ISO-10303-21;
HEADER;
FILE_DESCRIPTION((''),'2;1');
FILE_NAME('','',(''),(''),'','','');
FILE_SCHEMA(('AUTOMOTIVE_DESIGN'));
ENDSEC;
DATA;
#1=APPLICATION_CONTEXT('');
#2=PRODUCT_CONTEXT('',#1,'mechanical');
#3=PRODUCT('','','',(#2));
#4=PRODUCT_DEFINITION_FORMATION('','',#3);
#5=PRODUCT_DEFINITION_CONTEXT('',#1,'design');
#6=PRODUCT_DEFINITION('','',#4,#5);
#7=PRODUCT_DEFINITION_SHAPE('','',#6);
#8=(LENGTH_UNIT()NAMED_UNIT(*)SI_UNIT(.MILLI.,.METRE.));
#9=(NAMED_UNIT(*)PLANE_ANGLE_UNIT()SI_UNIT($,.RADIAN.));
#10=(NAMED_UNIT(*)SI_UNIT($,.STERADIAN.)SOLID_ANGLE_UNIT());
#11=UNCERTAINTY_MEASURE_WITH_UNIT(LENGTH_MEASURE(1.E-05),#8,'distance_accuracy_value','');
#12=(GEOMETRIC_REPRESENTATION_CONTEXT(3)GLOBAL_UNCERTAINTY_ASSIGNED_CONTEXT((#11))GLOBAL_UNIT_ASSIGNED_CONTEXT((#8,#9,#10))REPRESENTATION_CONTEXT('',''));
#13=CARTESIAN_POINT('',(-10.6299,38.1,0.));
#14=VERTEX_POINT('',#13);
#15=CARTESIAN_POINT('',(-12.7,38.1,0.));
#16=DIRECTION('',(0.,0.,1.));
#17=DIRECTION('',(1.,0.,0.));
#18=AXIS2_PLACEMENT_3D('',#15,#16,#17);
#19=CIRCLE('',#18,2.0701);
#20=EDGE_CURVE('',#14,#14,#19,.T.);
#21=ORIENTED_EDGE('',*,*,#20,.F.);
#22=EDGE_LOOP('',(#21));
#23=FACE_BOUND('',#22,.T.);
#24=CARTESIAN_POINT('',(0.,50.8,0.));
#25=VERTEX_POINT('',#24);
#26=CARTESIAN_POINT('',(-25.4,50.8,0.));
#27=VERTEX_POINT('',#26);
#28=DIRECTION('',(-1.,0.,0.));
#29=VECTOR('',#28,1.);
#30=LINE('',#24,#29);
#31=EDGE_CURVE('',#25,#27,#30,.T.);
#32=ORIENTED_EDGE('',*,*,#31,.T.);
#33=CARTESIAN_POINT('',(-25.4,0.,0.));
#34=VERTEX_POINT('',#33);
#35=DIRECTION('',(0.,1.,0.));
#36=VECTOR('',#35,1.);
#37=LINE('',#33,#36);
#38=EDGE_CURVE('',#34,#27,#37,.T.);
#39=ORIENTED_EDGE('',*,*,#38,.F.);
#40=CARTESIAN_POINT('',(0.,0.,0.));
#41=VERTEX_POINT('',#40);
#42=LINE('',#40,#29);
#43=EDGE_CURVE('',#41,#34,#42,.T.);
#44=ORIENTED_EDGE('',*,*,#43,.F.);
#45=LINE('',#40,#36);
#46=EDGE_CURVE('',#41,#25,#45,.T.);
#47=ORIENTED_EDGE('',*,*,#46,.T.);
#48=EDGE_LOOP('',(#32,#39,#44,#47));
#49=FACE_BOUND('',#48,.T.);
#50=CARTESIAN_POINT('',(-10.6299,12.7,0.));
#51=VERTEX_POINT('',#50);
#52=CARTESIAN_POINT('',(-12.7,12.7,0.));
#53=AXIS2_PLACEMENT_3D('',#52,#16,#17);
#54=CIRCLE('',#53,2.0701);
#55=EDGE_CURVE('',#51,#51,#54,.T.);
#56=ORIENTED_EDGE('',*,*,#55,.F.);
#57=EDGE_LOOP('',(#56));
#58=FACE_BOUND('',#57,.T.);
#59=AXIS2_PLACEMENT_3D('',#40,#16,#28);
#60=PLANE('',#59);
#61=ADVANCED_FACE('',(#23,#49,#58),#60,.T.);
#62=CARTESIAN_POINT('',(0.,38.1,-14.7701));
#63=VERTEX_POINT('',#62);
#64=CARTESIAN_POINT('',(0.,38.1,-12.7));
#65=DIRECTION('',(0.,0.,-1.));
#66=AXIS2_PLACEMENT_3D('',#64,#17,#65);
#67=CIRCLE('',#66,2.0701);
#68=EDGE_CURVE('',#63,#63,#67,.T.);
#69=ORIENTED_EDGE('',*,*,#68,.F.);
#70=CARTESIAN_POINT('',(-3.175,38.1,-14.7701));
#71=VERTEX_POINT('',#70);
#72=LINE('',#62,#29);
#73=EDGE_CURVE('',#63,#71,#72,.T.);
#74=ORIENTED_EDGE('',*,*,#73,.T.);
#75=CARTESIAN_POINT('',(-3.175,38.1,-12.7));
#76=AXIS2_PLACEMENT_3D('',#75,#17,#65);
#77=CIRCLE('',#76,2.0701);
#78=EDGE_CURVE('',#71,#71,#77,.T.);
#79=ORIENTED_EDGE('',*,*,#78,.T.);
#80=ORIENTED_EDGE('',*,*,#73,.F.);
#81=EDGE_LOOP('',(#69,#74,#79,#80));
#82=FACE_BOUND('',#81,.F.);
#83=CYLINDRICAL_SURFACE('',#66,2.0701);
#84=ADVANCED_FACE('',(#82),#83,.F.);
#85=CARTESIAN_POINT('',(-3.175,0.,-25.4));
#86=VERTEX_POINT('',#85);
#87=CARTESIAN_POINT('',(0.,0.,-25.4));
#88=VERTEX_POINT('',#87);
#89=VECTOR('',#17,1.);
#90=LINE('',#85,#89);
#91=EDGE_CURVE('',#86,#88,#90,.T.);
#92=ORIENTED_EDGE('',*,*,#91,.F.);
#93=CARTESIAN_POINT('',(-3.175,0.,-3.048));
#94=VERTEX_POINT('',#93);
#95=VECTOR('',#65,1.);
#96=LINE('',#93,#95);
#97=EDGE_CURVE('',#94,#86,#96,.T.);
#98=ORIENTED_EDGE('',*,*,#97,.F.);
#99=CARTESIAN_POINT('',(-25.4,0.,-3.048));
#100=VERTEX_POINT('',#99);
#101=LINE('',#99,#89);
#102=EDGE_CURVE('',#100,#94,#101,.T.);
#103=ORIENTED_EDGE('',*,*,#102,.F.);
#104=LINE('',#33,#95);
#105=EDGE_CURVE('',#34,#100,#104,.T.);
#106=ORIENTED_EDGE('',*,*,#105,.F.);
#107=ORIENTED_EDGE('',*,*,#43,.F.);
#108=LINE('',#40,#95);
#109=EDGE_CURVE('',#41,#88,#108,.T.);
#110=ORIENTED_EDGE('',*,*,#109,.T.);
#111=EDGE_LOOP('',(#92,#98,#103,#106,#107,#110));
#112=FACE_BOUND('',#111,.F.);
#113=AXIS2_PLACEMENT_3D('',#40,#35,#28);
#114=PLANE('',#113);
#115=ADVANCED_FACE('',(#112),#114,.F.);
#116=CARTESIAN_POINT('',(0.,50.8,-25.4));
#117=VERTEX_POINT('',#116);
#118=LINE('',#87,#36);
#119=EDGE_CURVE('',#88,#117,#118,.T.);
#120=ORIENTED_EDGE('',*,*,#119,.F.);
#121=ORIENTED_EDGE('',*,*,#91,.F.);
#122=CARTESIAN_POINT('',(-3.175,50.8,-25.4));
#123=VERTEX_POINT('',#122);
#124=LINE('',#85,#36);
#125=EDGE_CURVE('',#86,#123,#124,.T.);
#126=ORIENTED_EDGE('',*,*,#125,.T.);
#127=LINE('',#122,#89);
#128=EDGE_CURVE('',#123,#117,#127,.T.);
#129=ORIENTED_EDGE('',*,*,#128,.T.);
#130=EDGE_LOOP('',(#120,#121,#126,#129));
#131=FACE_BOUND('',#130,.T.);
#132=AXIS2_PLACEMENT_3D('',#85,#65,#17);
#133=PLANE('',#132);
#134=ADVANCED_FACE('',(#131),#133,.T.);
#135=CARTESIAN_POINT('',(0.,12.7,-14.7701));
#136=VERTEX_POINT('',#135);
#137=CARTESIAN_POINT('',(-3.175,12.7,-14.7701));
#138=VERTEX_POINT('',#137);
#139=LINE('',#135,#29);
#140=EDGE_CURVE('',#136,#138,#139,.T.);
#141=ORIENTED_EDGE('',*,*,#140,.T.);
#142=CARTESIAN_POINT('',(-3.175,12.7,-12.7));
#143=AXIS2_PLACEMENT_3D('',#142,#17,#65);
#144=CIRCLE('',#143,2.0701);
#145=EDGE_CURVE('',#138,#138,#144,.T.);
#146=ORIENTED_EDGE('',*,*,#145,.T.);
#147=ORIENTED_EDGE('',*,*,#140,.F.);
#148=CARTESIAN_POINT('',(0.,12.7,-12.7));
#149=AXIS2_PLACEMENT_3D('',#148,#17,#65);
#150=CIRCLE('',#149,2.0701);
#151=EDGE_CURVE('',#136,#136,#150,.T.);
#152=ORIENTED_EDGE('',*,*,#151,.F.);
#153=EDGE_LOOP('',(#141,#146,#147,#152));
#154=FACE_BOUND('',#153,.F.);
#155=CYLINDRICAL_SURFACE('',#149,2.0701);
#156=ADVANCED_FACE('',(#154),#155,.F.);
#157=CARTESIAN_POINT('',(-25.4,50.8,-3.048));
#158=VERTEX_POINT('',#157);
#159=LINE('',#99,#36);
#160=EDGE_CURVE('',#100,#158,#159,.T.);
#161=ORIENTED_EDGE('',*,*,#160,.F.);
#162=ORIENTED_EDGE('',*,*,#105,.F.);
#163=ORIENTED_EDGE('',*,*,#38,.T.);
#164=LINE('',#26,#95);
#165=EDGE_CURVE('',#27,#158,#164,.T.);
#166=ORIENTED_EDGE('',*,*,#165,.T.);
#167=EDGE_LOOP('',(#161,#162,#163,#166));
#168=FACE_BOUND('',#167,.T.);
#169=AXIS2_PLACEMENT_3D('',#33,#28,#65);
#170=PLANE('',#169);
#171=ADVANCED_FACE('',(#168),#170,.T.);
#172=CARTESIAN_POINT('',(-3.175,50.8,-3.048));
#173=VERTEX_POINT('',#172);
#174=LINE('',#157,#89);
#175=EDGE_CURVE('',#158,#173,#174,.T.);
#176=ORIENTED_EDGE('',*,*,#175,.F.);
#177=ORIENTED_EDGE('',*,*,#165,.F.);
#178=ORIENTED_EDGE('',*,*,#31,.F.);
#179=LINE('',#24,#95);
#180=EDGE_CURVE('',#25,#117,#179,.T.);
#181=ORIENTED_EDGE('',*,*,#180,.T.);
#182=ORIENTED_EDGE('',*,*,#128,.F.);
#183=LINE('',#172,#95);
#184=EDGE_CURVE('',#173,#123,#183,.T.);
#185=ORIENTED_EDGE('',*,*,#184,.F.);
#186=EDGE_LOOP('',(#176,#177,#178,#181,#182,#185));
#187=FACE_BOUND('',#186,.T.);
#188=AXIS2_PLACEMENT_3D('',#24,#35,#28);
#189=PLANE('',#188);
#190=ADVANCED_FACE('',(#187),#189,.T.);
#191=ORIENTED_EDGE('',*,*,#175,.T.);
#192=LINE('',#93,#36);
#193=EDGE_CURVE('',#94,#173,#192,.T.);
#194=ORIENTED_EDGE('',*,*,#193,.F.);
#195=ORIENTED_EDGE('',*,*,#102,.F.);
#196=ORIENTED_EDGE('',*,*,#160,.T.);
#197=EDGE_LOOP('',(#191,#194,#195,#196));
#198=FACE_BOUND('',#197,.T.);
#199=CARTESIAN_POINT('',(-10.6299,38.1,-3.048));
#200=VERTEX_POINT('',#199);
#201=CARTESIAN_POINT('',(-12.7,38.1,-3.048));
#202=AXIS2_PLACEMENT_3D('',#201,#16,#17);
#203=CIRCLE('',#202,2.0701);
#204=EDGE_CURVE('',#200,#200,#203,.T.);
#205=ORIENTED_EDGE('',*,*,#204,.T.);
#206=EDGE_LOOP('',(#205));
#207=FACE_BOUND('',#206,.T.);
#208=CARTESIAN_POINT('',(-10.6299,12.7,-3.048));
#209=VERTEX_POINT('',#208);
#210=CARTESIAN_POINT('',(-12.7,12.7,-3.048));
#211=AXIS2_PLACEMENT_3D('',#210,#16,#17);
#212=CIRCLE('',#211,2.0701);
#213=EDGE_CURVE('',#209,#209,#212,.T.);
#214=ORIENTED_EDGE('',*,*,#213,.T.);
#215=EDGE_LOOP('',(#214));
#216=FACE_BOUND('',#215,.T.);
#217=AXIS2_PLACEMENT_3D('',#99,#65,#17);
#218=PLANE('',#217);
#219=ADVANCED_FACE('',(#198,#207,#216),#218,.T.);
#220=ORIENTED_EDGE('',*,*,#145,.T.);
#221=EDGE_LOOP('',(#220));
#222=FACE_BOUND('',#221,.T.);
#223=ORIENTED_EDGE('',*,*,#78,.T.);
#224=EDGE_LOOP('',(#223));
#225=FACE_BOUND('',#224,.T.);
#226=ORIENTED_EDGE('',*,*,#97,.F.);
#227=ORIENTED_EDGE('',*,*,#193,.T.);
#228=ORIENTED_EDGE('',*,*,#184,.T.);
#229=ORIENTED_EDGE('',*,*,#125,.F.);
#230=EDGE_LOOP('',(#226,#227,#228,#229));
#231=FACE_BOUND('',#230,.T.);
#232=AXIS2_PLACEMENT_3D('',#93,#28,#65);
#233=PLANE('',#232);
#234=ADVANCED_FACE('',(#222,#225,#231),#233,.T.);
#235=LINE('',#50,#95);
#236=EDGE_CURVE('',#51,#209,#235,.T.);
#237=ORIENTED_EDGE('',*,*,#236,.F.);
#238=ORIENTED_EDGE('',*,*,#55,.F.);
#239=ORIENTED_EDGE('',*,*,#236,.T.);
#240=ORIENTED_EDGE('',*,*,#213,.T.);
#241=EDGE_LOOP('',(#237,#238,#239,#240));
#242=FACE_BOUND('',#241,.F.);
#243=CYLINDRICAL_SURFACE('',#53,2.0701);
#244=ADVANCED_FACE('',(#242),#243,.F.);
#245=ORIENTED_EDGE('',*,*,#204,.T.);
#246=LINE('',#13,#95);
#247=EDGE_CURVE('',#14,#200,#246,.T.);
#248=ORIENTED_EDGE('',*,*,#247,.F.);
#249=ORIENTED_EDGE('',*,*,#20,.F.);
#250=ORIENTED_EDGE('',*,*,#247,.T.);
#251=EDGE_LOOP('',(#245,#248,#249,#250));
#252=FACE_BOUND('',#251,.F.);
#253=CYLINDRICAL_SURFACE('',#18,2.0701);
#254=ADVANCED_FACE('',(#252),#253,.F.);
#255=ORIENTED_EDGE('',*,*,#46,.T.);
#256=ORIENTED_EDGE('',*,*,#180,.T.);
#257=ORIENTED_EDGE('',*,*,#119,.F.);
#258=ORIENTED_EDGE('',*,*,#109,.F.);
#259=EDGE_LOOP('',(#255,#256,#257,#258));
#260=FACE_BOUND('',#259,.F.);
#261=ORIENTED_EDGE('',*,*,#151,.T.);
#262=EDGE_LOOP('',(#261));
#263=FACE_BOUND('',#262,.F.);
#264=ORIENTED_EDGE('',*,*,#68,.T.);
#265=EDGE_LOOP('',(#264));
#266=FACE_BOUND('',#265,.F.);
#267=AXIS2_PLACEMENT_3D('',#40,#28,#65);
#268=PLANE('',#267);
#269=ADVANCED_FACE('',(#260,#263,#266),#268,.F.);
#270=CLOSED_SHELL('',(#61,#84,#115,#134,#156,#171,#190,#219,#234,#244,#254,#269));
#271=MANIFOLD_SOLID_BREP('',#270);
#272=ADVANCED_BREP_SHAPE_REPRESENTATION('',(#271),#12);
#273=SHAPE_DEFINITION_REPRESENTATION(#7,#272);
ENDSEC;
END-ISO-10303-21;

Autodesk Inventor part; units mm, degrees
ref_plane "YZ Plane" through (0, 0, 0) normal (1, 0, 0) x (0, 1, 0)
ref_plane "XZ Plane" through (0, 0, 0) normal (0, 1, 0) x (-1, 0, 0)
ref_plane "XY Plane" through (0, 0, 0) normal (0, 0, 1) x (1, 0, 0)
sketch "Sketch1" plane through (0, 0, 0) normal (0, 1, 0) x (-1, 0, 0)
  line L0 (0, 0) -> (0, -25.4)
  line L1 (0, -25.4) -> (0, 0)
  line L2 (0, 0) -> (25.4, 0)
  line L3 (25.4, 0) -> (25.4, -3.048)
  line L4 (25.4, -3.048) -> (3.175, -3.048)
  line L5 (3.175, -3.048) -> (3.175, -25.4)
  line L6 (3.175, -25.4) -> (0, -25.4)
  dimension "d0" = 25.4
  dimension "d1" = 25.4
  dimension "d2" = 3.048
  dimension "d3" = 3.175
extrude "Extrusion1" add sketch "Sketch1" along normal blind 50.8
sketch "Sketch2" plane through (-25.4, 0, 0) normal (0, 0, 1) x (1, 0, 0)
  line L0 (22.225, 50.8) -> (0, 50.8) construction
  line L1 (22.225, 0) -> (0, 0) construction
  line L2 (12.7, 50.8) -> (12.7, 0) construction
  line L3 (0, 0) -> (0, 50.8) construction
  circle A0 centre (12.7, 12.7) radius 2.0701
  circle A1 centre (12.7, 38.1) radius 2.0701
  line L4 (25.4, 0) -> (25.4, 50.8) projected
  dimension "d7" = 4.1402
  dimension "d8" = 4.1402
  dimension "d9" = 25.4
  dimension "d10" = 12.7
  dimension "d16" = 12.7
sketch "Sketch3" plane through (0, 0, 0) normal (1, 0, 0) x (0, 0, -1)
  line L0 (0, 0) -> (25.4, 0) projected
  line L1 (25.4, 0) -> (25.4, 50.8) projected
  line L2 (0, 50.8) -> (25.4, 50.8) projected
  line L3 (0, 0) -> (0, 50.8) projected
  circle A0 centre (12.7, 38.1) radius 2.0701
  circle A1 centre (12.7, 12.7) radius 2.0701
  dimension "d11" = 4.1402
  dimension "d12" = 4.1402
  dimension "d13" = 12.7
  dimension "d14" = 12.7
  dimension "d15" = 25.4
extrude "Extrusion2" cut sketch "Sketch2" against normal through all
extrude "Extrusion3" cut sketch "Sketch3" against normal blind 25.4 contours A0 | A1
properties part number "LBracketConnectors"
